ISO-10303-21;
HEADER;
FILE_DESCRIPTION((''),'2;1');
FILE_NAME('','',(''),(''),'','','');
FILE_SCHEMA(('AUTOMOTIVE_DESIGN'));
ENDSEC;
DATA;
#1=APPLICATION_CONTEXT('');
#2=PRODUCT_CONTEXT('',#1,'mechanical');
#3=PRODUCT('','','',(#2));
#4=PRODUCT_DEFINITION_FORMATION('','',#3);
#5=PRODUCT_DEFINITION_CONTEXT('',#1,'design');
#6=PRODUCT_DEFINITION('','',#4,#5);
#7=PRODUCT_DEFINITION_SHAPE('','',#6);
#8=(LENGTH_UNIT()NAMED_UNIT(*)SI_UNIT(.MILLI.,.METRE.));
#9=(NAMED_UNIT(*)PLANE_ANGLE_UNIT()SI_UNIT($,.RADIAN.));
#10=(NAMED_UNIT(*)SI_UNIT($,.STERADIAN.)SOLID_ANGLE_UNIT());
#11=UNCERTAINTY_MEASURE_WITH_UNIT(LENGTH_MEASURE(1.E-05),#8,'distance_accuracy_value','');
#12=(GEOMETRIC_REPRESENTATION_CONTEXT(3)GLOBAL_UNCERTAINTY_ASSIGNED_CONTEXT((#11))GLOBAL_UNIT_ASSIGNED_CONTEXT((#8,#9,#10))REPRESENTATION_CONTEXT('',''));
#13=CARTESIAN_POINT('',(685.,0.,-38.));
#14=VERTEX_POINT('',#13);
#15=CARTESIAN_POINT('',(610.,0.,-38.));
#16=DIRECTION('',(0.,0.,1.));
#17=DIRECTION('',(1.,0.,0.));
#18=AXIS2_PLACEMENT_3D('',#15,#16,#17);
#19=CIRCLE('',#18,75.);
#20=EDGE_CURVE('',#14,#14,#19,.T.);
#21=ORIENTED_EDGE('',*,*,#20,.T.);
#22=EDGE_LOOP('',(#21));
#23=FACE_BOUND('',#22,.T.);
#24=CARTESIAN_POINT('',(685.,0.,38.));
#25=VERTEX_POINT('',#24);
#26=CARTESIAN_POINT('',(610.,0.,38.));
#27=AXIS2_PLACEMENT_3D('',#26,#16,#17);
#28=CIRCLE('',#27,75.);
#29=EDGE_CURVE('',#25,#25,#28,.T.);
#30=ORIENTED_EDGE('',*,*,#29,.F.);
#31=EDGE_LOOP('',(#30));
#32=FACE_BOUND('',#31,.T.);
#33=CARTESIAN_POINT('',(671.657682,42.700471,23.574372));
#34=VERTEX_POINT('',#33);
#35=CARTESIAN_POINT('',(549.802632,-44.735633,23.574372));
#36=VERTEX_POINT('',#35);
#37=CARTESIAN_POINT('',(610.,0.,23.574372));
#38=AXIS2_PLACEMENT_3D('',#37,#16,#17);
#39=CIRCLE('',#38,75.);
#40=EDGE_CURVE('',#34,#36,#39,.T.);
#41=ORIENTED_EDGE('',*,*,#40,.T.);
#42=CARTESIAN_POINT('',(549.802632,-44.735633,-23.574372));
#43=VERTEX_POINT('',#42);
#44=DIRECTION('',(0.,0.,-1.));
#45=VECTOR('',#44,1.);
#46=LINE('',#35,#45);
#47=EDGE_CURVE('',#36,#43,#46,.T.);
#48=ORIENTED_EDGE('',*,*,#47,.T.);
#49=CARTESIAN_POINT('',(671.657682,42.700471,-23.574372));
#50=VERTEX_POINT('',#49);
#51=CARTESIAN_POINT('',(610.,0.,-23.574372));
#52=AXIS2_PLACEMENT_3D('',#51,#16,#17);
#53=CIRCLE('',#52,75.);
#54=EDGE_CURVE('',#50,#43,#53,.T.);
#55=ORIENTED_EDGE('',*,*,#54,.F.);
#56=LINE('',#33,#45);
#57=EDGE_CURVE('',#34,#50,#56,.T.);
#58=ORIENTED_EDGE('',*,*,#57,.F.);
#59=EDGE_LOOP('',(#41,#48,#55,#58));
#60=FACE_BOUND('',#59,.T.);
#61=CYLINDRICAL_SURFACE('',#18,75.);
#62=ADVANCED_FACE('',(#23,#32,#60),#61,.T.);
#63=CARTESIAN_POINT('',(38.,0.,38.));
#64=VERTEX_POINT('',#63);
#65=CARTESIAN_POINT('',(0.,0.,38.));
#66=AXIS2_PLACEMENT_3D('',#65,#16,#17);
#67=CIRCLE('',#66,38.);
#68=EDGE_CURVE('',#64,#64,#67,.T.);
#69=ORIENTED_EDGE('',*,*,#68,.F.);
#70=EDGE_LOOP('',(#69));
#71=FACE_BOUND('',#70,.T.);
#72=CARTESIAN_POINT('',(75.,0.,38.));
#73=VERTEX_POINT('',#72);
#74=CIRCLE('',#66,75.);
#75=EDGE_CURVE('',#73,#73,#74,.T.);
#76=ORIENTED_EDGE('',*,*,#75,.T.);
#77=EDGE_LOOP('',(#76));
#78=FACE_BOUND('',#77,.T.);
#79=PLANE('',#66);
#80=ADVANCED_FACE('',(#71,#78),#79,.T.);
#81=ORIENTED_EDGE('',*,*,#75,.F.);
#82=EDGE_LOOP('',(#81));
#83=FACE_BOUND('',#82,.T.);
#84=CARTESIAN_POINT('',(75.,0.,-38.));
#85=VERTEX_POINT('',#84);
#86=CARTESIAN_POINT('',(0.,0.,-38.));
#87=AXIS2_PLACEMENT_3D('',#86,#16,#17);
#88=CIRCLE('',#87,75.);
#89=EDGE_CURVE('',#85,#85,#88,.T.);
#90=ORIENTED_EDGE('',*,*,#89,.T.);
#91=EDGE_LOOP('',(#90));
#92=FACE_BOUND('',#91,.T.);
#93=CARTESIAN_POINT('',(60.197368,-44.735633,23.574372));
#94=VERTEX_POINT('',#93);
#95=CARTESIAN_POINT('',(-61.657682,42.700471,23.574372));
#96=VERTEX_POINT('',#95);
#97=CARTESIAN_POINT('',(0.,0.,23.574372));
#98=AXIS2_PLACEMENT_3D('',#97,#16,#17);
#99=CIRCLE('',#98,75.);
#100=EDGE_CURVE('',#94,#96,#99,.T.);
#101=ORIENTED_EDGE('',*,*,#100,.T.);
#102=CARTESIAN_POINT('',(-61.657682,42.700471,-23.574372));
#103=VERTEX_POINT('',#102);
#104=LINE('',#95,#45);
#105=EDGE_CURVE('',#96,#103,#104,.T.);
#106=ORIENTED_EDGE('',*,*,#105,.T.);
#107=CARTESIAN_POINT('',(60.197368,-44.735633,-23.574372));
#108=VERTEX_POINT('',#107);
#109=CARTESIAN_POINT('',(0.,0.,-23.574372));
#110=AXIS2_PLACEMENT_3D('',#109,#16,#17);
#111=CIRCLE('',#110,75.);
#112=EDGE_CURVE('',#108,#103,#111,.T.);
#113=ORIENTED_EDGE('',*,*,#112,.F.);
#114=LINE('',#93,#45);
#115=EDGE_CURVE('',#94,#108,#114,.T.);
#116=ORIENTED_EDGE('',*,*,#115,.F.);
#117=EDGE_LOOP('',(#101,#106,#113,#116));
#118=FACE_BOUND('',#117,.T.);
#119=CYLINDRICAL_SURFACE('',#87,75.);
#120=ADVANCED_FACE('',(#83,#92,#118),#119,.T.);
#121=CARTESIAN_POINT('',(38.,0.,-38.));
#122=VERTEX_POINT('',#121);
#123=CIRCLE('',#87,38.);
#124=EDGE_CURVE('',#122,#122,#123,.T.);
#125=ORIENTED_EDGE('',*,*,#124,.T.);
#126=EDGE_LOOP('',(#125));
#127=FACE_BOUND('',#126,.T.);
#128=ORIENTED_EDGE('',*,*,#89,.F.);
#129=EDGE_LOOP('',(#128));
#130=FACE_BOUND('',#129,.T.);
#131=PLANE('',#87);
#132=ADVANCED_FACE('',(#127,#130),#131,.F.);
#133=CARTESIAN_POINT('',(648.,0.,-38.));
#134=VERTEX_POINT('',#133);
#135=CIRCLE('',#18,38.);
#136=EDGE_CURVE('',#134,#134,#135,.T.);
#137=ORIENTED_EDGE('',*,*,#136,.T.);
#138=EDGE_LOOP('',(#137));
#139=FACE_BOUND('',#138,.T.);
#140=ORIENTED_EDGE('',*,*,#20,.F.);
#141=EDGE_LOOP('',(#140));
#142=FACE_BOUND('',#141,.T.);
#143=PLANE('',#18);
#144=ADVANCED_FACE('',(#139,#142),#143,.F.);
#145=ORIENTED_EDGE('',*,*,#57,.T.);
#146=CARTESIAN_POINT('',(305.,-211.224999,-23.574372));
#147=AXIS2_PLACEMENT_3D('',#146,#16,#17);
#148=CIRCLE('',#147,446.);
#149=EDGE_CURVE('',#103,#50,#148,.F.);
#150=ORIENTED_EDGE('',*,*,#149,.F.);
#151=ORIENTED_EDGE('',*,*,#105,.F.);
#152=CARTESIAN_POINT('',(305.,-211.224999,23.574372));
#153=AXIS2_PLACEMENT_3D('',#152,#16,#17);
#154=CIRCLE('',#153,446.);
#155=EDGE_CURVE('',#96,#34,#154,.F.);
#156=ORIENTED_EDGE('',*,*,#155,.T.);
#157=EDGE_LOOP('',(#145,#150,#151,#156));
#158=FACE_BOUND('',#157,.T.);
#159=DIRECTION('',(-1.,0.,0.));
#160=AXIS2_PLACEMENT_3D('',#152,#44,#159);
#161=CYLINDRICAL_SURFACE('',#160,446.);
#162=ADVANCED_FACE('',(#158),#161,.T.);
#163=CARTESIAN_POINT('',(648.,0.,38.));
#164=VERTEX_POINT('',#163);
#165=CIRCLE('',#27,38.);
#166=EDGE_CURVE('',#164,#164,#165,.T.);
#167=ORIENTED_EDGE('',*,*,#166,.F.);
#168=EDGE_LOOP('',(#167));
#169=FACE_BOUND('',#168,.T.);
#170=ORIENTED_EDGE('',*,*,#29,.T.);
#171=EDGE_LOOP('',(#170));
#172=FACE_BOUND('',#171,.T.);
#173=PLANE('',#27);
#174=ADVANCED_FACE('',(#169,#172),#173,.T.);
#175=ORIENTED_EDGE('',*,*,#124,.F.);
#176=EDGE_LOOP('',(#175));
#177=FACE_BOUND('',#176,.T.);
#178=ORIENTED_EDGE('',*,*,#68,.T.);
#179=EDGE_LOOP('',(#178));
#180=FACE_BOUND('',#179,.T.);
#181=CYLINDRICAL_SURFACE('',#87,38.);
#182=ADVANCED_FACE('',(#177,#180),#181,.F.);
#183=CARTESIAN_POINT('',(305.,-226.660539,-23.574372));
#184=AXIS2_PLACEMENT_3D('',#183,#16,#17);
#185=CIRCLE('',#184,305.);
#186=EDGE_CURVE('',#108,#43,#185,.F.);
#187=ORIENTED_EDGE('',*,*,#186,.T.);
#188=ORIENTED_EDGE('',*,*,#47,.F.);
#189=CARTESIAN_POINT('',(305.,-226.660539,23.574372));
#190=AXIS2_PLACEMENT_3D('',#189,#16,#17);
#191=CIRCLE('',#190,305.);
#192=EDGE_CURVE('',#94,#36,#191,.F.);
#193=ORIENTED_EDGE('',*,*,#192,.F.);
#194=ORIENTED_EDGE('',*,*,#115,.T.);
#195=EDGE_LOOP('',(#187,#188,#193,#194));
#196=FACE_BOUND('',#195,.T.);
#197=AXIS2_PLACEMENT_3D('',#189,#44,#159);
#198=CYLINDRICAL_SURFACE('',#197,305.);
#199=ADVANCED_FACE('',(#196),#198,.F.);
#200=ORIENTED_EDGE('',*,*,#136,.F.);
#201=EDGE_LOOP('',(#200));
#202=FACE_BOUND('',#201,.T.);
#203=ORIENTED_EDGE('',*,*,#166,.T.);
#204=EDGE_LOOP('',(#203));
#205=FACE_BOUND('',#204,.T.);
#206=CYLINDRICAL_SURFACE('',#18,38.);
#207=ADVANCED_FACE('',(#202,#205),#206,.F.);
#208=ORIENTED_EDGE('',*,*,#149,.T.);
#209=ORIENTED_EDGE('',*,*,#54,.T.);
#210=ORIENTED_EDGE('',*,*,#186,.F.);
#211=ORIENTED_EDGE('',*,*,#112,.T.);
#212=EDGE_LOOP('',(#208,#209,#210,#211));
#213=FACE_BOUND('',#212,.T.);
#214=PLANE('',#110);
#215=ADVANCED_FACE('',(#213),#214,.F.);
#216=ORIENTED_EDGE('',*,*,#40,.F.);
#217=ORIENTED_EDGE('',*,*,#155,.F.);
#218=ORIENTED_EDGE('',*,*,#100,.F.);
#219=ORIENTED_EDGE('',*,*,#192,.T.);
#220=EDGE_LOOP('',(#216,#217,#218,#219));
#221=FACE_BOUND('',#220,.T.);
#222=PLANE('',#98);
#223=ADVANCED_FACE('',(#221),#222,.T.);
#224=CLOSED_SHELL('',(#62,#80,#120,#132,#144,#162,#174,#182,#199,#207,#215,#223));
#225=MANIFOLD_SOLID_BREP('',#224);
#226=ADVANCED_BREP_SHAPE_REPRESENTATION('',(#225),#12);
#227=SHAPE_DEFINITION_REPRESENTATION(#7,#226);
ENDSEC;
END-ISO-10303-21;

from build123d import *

# Parameters (mm, degrees)
SKETCH1_R             = 75
SKETCH1_R_2           = 38
BOSS_EXTRUDE1_DEPTH   = 38
BOSS_EXTRUDE1_2_DEPTH = 38
BOSS_EXTRUDE2_DEPTH   = 23.574371523


with BuildPart() as part:
    # Sketch1 → Boss-Extrude1 (new, symmetric)
    with BuildSketch(Plane.XY):
        Circle(SKETCH1_R)
        Circle(SKETCH1_R_2, mode=Mode.SUBTRACT)
    extrude(amount=BOSS_EXTRUDE1_DEPTH, both=True)



with BuildPart() as body_2:
    # Sketch1 → Boss-Extrude1 2 (new, symmetric)
    with BuildSketch(Plane.XY):
        with Locations((610, 0)):
            Circle(SKETCH1_R)
        with Locations((610, 0)):
            Circle(SKETCH1_R_2, mode=Mode.SUBTRACT)
    extrude(amount=BOSS_EXTRUDE1_2_DEPTH, both=True)


with BuildPart() as part_1:
    add(part.part)

    add(body_2.part)  # Boss-Extrude2 merges body 2
    # Sketch2 → Boss-Extrude2 (add, symmetric)
    with BuildSketch(Plane.XY):
        with BuildLine():
            ThreePointArc((75, 0), (71.203239503, -23.560532341), (60.197368421, -44.735632724))
            ThreePointArc((60.197368421, -44.735632724), (305, 78.339460867), (549.802631579, -44.735632724))
            ThreePointArc((549.802631579, -44.735632724), (566.27585101, 60.936022147), (671.657681941, 42.700471399))
            ThreePointArc((671.657681941, 42.700471399), (305, 234.775001479), (-61.657681941, 42.700471399))
            ThreePointArc((-61.657681941, 42.700471399), (22.368212428, 71.586752076), (75, 0))
        make_face()
    extrude(amount=BOSS_EXTRUDE2_DEPTH, both=True)


solid = part_1.part
